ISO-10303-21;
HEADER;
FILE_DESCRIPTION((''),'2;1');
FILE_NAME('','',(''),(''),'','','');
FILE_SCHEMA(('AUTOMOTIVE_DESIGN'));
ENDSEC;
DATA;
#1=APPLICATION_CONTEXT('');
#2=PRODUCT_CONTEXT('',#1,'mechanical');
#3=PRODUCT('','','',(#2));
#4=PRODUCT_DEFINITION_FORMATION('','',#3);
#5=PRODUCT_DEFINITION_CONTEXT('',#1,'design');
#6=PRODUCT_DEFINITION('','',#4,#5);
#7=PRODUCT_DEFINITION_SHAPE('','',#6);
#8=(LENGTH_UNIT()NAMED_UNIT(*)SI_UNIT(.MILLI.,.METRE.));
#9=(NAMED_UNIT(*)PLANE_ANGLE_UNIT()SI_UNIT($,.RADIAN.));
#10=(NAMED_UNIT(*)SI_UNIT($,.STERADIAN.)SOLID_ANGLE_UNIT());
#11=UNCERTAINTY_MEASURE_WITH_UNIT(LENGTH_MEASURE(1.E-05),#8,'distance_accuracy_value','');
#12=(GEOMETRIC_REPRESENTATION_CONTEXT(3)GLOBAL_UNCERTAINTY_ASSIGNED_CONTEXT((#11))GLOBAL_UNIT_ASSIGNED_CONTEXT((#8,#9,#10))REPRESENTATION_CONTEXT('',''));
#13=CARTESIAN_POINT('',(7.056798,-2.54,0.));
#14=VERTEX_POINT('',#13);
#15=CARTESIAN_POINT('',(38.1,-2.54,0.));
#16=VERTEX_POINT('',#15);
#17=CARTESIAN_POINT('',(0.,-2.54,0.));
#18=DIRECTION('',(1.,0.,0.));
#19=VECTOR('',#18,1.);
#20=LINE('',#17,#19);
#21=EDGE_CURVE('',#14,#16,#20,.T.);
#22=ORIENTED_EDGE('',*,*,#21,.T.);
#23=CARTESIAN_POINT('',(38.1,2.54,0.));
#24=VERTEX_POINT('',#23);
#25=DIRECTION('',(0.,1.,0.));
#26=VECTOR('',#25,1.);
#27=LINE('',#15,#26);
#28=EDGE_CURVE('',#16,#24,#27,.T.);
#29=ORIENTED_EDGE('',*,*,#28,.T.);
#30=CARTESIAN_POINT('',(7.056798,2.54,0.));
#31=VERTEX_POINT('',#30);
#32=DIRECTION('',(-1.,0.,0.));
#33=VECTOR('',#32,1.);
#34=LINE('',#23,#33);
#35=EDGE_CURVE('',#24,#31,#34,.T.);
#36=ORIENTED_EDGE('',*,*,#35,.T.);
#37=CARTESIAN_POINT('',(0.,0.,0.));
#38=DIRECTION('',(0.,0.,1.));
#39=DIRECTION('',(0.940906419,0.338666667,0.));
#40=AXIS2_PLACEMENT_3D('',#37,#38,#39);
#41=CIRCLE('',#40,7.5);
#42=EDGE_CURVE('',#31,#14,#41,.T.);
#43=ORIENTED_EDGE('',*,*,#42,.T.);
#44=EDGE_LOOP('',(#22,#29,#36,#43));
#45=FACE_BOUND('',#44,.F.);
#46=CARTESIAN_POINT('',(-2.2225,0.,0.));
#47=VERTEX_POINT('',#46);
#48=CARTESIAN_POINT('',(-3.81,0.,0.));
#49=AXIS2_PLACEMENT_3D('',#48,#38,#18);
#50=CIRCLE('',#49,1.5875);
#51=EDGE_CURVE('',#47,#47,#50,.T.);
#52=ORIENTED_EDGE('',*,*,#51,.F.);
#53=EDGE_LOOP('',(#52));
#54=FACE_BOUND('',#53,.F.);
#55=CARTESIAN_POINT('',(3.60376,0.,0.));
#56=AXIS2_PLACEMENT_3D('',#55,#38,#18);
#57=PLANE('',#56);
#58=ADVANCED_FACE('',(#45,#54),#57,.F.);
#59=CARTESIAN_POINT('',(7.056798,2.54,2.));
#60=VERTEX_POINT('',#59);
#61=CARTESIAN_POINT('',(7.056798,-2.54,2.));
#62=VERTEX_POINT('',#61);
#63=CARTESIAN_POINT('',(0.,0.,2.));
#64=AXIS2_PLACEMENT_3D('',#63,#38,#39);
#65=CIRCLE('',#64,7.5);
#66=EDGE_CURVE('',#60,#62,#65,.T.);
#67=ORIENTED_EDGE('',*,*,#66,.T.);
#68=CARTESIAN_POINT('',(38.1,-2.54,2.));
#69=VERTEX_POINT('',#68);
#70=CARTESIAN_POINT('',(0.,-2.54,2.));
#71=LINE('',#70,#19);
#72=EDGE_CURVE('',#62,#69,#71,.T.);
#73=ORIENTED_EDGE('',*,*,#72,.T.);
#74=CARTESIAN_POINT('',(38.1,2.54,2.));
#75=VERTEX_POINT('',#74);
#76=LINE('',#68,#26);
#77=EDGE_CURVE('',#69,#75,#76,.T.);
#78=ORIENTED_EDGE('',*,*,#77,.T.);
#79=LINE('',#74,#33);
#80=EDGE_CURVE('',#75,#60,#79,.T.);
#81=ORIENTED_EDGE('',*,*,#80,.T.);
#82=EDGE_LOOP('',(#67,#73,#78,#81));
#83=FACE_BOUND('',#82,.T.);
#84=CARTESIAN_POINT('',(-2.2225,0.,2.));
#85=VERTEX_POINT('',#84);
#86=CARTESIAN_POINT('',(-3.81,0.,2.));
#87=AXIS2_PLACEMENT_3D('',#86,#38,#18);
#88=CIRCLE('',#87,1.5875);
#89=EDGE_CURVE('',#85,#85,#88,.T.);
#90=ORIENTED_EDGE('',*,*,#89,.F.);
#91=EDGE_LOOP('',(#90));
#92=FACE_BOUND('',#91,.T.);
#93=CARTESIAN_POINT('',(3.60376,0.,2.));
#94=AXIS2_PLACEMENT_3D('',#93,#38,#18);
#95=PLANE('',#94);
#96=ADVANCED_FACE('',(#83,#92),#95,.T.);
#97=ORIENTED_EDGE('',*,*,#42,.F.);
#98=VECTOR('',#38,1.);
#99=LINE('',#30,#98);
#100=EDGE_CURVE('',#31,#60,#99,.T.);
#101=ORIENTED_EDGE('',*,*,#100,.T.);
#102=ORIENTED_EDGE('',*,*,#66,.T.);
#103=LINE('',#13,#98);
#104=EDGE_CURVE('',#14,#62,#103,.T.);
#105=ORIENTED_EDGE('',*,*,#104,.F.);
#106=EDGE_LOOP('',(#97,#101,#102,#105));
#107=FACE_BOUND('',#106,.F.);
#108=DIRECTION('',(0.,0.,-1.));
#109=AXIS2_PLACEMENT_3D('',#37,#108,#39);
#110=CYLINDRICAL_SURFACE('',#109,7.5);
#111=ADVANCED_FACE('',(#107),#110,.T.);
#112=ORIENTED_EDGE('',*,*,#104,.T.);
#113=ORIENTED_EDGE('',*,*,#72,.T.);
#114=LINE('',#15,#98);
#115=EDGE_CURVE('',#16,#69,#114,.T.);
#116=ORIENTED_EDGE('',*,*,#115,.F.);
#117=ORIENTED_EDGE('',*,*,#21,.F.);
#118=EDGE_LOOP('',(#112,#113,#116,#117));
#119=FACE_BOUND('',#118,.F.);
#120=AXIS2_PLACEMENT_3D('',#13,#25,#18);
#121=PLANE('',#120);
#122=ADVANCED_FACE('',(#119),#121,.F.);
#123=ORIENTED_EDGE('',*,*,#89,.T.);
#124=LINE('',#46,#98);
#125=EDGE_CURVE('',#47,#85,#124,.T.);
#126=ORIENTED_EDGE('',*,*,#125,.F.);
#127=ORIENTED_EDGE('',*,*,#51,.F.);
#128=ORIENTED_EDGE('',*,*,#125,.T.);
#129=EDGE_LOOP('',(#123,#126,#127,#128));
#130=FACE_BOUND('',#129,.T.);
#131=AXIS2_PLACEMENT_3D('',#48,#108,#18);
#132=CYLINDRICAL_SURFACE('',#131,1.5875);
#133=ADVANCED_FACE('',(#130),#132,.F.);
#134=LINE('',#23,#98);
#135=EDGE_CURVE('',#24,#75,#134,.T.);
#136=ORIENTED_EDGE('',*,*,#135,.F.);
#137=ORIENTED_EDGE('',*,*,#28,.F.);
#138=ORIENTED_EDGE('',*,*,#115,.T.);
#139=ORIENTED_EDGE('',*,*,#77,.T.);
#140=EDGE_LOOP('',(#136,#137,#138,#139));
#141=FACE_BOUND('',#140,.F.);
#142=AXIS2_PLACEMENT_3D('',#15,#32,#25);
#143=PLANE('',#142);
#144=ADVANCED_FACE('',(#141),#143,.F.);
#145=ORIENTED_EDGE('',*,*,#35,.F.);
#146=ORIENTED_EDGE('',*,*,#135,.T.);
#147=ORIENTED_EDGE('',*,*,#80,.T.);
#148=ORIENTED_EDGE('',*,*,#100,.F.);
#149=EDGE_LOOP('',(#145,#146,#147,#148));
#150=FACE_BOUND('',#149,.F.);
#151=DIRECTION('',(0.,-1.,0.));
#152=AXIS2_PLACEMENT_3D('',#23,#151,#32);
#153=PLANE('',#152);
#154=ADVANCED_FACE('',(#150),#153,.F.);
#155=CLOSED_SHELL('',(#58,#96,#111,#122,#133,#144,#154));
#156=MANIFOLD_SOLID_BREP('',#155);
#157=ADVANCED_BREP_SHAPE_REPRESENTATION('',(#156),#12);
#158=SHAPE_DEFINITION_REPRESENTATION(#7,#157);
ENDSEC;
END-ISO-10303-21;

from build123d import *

# Parameters (mm, degrees)
F0_R     = 1.5875
F1_DEPTH = 2


with BuildPart() as f1:
    # F0 (on Top) → F1 (new body)
    with BuildSketch(Plane.XY):
        with BuildLine():
            ThreePointArc((7.0567981408, -2.54), (7.3883687664, -1.2891884936), (7.5, 0))
            ThreePointArc((7.5, 0), (7.3883687664, 1.2891884936), (7.0567981408, 2.54))
            Line((7.0567981408, 2.54), (0, 2.54))
            Line((0, 2.54), (0, -2.54))
            Line((0, -2.54), (7.0567981408, -2.54))
        make_face()
        with BuildLine():
            ThreePointArc((7.0567981408, 2.54), (7.3883687664, 1.2891884936), (7.5, 0))
            ThreePointArc((7.5, 0), (7.3883687664, -1.2891884936), (7.0567981408, -2.54))
            Line((7.0567981408, -2.54), (38.1, -2.54))
            Line((38.1, -2.54), (38.1, 2.54))
            Line((38.1, 2.54), (7.0567981408, 2.54))
        make_face()
        with BuildLine():
            Line((0, 2.54), (7.0567981408, 2.54))
            ThreePointArc((7.0567981408, 2.54), (-7.5, 0), (7.0567981408, -2.54))
            Line((7.0567981408, -2.54), (0, -2.54))
            Line((0, -2.54), (0, 2.54))
        make_face()
        with Locations((-3.81, 0)):
            Circle(F0_R, mode=Mode.SUBTRACT)
    extrude(amount=F1_DEPTH)


solid = f1.part
